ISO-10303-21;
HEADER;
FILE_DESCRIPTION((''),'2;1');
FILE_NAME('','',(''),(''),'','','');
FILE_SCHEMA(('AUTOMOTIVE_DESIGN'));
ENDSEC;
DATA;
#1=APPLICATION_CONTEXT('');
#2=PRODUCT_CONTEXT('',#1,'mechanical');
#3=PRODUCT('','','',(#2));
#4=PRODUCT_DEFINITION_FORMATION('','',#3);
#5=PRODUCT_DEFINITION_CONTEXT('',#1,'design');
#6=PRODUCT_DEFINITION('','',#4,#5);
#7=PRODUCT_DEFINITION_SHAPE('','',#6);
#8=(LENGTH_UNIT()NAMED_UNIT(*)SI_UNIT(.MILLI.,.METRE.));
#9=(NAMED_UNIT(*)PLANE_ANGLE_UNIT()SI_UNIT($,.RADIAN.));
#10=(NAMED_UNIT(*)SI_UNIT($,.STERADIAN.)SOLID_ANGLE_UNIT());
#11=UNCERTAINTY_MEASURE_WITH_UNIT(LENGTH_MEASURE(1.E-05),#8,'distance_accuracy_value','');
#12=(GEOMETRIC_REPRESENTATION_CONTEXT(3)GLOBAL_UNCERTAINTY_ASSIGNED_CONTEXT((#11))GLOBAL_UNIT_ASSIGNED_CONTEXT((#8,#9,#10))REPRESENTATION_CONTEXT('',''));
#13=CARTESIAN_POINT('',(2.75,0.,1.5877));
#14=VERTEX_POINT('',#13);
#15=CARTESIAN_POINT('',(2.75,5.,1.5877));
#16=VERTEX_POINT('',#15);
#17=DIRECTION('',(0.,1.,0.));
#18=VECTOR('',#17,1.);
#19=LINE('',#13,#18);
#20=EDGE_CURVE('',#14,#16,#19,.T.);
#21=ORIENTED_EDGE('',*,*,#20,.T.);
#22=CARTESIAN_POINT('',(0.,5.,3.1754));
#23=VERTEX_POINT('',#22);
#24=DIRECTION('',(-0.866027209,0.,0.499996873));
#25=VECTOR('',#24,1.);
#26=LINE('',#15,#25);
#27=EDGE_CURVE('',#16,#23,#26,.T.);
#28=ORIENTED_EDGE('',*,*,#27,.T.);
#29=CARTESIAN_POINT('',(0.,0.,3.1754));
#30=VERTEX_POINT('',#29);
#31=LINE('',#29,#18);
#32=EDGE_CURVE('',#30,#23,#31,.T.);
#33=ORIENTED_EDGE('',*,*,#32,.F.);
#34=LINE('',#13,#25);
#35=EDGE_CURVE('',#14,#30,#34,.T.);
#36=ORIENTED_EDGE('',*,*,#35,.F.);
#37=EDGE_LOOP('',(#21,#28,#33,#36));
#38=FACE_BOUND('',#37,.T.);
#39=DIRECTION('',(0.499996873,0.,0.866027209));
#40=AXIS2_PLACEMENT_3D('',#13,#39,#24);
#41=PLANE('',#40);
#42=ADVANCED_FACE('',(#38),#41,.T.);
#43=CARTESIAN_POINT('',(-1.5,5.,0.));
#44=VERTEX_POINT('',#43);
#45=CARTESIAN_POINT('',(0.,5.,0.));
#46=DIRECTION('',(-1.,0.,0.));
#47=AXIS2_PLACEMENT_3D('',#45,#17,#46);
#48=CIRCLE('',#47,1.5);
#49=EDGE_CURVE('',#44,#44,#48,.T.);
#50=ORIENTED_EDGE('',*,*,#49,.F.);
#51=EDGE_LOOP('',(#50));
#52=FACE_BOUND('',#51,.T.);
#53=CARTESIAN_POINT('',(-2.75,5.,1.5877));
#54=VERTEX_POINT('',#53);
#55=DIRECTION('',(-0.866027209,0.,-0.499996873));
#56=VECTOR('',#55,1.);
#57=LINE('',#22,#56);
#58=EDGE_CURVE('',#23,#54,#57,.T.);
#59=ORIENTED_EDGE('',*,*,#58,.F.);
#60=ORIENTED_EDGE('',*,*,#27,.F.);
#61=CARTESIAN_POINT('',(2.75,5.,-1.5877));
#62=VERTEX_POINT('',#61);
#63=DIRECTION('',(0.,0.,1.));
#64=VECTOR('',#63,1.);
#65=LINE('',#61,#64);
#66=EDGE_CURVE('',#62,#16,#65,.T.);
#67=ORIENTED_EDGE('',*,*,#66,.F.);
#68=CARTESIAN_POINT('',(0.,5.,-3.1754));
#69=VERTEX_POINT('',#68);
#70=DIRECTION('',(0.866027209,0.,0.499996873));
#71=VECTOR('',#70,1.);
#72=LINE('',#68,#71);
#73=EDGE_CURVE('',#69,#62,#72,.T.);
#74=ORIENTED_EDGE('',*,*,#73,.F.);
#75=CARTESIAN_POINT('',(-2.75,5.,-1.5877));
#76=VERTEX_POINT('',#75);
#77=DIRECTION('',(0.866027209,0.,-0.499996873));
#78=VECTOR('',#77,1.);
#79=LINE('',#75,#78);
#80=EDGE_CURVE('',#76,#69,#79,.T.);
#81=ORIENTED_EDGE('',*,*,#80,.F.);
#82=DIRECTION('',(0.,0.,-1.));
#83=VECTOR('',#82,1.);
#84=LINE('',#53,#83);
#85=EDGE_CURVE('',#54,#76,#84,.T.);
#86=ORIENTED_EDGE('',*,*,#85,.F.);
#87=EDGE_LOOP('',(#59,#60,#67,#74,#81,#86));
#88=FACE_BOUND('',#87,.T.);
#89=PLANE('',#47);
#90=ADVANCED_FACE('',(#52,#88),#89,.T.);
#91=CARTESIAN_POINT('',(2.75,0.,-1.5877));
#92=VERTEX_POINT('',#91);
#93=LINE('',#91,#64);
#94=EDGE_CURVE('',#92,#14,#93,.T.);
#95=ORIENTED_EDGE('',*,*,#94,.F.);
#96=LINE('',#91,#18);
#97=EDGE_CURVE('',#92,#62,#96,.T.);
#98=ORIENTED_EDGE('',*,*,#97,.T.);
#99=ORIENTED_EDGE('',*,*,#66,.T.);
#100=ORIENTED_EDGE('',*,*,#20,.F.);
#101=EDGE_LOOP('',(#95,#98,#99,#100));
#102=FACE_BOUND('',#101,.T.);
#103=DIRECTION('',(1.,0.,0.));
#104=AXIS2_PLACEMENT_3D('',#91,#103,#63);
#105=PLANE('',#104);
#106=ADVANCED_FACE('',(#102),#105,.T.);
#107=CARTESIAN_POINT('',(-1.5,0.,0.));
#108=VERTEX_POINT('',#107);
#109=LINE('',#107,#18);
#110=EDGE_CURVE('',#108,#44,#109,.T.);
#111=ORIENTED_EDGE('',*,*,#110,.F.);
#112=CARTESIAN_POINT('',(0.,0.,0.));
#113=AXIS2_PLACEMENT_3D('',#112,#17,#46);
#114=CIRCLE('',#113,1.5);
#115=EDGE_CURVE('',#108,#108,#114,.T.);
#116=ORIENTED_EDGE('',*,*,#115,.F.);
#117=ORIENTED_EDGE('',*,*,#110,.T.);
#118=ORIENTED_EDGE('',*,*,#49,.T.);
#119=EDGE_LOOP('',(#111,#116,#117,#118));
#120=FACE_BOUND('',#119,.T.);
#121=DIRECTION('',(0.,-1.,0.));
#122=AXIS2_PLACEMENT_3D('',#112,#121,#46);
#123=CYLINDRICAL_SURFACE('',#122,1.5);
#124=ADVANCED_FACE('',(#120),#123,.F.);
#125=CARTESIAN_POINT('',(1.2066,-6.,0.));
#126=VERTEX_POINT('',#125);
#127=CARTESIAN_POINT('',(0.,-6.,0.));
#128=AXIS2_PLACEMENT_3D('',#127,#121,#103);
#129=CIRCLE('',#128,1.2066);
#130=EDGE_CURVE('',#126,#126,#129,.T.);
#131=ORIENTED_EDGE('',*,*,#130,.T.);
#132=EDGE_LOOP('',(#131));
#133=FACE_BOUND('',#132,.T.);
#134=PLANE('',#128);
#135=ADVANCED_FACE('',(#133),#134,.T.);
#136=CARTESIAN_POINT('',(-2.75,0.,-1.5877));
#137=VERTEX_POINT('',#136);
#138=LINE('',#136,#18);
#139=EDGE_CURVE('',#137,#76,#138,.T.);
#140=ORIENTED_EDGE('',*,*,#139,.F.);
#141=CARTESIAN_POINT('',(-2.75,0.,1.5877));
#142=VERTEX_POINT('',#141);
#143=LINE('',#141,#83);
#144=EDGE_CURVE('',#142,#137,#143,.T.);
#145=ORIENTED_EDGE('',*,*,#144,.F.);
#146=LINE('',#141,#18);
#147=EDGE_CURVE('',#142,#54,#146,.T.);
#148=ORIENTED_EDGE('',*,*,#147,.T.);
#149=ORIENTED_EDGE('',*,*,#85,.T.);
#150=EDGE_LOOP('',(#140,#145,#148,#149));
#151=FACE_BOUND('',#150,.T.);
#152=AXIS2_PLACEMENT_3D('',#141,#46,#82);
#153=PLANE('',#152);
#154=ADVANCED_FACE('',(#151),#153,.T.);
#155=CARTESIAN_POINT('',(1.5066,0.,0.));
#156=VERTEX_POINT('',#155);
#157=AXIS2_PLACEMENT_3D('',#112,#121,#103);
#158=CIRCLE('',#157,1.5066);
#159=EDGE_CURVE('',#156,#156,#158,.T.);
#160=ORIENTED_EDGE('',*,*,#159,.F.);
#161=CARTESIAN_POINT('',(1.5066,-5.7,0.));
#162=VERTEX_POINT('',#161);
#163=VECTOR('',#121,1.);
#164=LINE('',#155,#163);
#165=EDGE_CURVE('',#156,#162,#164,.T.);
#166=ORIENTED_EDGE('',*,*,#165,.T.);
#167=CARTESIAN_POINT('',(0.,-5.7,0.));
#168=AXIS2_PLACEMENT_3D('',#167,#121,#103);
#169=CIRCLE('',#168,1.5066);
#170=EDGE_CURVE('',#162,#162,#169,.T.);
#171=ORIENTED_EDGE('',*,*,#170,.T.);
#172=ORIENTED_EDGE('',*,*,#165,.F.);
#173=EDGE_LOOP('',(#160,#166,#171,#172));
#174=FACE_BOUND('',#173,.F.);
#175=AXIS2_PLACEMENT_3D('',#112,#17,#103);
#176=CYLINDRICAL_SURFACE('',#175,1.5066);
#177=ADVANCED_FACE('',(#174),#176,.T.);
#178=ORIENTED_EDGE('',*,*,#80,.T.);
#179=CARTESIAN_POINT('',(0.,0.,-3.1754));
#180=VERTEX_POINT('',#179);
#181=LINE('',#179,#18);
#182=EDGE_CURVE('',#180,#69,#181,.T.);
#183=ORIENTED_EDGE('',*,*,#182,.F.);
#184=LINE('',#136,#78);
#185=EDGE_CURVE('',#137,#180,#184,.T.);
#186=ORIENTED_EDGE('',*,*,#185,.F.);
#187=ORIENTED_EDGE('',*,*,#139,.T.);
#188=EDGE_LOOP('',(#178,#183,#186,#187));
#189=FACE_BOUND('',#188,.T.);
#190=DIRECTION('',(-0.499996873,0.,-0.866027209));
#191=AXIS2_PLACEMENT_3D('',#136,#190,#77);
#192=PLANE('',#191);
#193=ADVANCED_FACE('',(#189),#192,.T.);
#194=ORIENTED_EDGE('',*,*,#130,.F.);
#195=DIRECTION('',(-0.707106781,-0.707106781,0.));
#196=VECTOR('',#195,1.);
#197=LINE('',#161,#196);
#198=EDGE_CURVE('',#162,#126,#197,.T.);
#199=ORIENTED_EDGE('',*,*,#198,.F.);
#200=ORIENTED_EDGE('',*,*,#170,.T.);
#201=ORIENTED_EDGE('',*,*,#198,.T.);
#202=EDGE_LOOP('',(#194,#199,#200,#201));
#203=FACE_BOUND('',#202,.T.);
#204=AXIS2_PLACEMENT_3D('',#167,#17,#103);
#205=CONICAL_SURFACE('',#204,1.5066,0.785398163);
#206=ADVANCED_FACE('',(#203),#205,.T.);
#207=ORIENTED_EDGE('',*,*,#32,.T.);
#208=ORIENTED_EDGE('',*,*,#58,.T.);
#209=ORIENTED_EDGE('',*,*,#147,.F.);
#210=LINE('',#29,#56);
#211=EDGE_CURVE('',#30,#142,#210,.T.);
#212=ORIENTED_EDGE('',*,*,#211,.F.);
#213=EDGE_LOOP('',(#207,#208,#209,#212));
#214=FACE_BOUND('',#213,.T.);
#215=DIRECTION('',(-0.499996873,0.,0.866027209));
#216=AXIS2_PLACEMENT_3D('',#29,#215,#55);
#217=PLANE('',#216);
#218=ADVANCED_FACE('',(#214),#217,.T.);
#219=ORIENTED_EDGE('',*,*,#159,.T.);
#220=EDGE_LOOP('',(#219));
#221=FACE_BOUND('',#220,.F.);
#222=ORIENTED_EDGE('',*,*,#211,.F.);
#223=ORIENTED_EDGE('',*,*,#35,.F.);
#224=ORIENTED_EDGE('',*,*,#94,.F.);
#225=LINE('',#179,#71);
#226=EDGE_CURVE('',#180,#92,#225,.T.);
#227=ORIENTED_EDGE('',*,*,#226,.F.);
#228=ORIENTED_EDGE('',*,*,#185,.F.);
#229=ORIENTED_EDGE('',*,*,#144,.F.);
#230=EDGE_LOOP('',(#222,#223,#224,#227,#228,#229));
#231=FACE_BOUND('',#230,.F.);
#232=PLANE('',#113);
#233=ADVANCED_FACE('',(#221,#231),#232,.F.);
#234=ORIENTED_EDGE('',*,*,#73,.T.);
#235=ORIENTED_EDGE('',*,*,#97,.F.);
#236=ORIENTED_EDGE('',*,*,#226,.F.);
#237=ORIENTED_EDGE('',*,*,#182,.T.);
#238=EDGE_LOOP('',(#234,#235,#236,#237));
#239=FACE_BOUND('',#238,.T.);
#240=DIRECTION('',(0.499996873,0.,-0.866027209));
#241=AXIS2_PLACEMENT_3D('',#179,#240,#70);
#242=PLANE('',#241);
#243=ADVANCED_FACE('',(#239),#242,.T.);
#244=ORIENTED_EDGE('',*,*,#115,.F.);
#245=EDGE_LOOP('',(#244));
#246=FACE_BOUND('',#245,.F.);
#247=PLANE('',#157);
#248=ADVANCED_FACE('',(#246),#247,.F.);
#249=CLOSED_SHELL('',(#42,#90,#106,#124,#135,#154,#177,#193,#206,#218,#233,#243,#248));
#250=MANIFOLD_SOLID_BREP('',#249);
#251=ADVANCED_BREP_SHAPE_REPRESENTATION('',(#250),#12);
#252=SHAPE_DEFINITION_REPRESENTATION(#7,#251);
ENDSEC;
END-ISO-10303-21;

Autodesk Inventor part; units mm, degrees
ref_plane "YZ Plane" through (0, 0, 0) normal (1, 0, 0) x (0, 1, 0)
ref_plane "XZ Plane" through (0, 0, 0) normal (0, 1, 0) x (-1, 0, 0)
ref_plane "XY Plane" through (0, 0, 0) normal (0, 0, 1) x (1, 0, 0)
sketch "Sketch1" plane through (0, 0, 0) normal (0, 1, 0) x (-1, 0, 0)
  circle A0 centre (0, 0) radius 1.5
  line L0 (0, 3.1754) -> (2.75, 1.5877)
  line L1 (2.75, 1.5877) -> (2.75, -1.5877)
  line L2 (2.75, -1.5877) -> (0, -3.1754)
  line L3 (0, -3.1754) -> (-2.75, -1.5877)
  line L4 (-2.75, -1.5877) -> (-2.75, 1.5877)
  line L5 (-2.75, 1.5877) -> (0, 3.1754)
  dimension "d0" = 3
  dimension "d4" = 5.5
extrude "Extrusion1" add sketch "Sketch1" along normal blind 5
thread "Thread2" size "M3x0.5" class "6H" standard "ANSI Metric M Profile" full length
sketch "Sketch3" plane through (0, 0, 0) normal (0, -1, 0) x (1, 0, 0)
  circle A0 centre (0, 0) radius 1.5066
extrude "Extrusion3" add sketch "Sketch3" along normal blind 6
thread "Thread3" size "M3.5x0.6" class "6g" standard "ANSI Metric M Profile" full length
chamfer "Chamfer1" distance 0.3 angle 45 1 edges at (-1.5066, -6, 0)
properties part number "Spacer" material "Nylon 6"
